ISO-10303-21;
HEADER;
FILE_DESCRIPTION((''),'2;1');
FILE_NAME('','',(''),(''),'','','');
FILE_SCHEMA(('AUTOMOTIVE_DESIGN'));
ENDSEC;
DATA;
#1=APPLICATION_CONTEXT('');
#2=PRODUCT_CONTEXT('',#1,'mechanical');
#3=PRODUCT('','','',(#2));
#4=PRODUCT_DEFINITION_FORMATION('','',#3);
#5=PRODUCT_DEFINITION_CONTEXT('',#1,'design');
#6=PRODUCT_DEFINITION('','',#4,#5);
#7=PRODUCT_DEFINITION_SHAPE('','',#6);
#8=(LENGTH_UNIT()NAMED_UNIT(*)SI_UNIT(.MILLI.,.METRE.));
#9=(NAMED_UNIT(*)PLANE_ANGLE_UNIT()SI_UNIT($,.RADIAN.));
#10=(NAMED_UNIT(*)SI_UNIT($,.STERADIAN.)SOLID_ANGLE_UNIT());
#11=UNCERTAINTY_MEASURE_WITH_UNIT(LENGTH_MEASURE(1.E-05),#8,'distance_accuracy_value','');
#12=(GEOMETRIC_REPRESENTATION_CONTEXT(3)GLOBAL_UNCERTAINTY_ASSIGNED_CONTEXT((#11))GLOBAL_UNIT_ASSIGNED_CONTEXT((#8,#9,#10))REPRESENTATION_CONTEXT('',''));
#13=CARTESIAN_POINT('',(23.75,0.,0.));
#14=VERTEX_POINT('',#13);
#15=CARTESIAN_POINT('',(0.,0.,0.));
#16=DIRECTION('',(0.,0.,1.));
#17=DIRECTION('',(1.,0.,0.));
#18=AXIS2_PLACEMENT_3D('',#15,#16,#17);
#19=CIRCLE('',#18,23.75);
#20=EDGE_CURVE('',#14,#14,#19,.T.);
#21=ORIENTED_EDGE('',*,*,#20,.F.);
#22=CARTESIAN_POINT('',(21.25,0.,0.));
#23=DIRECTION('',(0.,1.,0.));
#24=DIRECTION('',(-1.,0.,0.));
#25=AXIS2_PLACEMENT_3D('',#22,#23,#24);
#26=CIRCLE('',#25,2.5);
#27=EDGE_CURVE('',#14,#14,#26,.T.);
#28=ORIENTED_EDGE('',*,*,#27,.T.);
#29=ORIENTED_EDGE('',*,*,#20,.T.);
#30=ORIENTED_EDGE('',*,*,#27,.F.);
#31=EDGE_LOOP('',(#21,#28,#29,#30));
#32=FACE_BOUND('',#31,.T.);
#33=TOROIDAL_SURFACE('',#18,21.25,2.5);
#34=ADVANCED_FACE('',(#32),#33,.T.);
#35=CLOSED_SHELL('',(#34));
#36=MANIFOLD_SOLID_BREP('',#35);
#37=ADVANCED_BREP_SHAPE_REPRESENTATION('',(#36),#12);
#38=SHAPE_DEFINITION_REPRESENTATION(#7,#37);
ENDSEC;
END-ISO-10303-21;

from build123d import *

# Parameters (mm, degrees)
SWEEP1_PROFILE_R = 2.5


with BuildPart() as part:
    # Sweep1: sweep along a path in Sketch1
    with BuildLine(Plane.XY) as sweep1_path:
        CenterArc((0, 0), 21.25, 0, 360)
    # Sweep1 profile (on start of the path) → Sweep1 (sweep)
    with BuildSketch(Plane(origin=(21.25, 0, 0), x_dir=(0, 0, 1), z_dir=(0, 1, 0))):
        Circle(SWEEP1_PROFILE_R)
    sweep(path=sweep1_path.line)


solid = part.part
